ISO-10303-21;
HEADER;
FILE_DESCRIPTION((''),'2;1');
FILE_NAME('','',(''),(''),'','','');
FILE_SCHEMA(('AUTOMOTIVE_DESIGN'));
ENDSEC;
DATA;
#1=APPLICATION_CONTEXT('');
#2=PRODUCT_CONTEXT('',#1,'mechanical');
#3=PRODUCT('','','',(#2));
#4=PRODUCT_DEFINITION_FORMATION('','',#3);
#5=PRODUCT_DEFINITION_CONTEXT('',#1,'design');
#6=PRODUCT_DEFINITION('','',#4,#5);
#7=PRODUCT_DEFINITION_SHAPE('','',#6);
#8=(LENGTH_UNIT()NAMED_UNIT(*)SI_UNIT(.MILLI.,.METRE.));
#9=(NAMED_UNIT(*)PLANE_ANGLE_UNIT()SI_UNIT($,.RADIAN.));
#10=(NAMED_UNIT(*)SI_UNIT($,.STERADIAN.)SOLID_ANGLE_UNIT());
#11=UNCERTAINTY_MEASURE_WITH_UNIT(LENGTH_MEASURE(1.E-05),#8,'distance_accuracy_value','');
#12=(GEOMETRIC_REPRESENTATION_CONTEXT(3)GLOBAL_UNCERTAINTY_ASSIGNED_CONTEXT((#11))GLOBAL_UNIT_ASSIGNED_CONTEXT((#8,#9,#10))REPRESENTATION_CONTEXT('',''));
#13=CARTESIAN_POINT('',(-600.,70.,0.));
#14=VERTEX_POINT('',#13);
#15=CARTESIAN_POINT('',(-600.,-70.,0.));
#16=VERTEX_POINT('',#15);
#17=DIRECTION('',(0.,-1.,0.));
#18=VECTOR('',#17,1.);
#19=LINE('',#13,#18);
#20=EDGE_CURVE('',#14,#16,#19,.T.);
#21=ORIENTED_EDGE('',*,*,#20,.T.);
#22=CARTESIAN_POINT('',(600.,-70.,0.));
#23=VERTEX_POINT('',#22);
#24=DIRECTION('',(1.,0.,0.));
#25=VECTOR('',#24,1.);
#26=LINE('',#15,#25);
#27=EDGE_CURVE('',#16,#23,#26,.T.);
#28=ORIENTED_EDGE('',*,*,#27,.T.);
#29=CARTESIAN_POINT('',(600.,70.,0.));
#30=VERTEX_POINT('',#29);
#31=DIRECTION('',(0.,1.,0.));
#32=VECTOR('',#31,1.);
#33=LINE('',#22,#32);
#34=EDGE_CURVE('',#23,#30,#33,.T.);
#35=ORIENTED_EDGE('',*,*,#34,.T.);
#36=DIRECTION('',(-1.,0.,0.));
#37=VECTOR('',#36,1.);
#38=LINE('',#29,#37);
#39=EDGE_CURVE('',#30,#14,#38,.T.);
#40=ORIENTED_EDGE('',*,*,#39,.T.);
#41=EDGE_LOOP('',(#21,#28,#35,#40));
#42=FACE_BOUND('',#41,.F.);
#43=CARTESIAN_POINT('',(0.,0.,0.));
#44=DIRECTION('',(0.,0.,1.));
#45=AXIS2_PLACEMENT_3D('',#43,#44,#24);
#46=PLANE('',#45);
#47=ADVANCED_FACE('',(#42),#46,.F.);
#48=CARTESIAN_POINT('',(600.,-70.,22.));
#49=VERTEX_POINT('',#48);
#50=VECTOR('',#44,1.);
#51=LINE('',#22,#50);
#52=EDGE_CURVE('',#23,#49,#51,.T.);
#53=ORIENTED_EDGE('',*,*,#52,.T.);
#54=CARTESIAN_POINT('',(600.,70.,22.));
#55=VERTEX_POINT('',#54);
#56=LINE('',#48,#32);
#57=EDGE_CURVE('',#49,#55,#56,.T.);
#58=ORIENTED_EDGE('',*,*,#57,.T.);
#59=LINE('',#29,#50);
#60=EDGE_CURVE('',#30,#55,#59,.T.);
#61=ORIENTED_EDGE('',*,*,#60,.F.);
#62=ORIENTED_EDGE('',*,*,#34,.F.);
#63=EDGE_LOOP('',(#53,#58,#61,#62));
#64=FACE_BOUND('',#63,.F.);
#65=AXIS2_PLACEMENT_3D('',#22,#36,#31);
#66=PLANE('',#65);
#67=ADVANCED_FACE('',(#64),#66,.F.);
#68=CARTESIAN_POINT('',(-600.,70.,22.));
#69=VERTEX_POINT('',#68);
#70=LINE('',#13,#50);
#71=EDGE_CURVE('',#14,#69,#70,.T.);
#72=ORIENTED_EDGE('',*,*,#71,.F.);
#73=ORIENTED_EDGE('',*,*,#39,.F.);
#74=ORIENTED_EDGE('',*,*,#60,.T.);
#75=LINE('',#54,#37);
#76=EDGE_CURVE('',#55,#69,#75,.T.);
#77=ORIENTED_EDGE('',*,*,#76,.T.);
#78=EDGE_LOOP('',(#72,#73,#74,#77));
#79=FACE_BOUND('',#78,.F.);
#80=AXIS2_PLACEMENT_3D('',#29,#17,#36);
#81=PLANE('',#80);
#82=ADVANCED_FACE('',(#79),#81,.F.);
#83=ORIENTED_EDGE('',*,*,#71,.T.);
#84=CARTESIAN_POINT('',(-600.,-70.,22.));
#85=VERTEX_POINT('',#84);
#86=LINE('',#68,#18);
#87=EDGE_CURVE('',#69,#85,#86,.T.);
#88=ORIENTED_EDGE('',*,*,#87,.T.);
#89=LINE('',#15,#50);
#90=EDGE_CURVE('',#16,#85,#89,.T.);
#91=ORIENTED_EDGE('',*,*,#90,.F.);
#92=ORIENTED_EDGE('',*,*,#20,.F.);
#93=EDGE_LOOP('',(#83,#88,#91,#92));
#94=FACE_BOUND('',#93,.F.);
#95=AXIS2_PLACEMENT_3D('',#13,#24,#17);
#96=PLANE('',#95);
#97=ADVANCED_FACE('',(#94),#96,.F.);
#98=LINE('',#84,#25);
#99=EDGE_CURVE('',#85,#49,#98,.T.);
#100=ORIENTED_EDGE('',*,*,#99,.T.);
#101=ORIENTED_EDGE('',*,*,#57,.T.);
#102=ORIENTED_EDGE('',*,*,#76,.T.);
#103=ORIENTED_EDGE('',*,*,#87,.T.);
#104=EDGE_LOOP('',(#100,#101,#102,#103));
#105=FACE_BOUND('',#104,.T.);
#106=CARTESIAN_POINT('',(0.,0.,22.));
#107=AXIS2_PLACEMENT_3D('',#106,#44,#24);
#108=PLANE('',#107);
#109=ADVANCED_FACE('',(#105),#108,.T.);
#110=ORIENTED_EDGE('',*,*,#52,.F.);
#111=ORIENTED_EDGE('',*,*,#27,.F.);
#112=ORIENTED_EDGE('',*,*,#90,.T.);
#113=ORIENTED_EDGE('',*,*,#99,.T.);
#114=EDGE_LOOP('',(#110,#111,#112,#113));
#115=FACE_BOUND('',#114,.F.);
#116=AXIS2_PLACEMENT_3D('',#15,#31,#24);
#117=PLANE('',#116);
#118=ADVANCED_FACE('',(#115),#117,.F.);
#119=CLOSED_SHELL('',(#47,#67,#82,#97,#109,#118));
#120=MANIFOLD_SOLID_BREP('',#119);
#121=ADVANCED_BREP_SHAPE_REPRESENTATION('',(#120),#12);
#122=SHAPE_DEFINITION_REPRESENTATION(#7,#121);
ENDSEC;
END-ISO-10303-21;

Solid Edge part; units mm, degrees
sketch "Sketch1" plane through (0, 0, 0) normal (0, 0, 1) x (1, 0, 0)
  line L0 (-600, -70) -> (600, -70)
  line L1 (600, -70) -> (600, 70)
  line L2 (600, 70) -> (-600, 70)
  line L3 (-600, 70) -> (-600, -70)
  dimension "D1" = 140
  dimension "D2" = 1200
extrude "Protrusion1" add sketch "Sketch1" along normal blind 22
